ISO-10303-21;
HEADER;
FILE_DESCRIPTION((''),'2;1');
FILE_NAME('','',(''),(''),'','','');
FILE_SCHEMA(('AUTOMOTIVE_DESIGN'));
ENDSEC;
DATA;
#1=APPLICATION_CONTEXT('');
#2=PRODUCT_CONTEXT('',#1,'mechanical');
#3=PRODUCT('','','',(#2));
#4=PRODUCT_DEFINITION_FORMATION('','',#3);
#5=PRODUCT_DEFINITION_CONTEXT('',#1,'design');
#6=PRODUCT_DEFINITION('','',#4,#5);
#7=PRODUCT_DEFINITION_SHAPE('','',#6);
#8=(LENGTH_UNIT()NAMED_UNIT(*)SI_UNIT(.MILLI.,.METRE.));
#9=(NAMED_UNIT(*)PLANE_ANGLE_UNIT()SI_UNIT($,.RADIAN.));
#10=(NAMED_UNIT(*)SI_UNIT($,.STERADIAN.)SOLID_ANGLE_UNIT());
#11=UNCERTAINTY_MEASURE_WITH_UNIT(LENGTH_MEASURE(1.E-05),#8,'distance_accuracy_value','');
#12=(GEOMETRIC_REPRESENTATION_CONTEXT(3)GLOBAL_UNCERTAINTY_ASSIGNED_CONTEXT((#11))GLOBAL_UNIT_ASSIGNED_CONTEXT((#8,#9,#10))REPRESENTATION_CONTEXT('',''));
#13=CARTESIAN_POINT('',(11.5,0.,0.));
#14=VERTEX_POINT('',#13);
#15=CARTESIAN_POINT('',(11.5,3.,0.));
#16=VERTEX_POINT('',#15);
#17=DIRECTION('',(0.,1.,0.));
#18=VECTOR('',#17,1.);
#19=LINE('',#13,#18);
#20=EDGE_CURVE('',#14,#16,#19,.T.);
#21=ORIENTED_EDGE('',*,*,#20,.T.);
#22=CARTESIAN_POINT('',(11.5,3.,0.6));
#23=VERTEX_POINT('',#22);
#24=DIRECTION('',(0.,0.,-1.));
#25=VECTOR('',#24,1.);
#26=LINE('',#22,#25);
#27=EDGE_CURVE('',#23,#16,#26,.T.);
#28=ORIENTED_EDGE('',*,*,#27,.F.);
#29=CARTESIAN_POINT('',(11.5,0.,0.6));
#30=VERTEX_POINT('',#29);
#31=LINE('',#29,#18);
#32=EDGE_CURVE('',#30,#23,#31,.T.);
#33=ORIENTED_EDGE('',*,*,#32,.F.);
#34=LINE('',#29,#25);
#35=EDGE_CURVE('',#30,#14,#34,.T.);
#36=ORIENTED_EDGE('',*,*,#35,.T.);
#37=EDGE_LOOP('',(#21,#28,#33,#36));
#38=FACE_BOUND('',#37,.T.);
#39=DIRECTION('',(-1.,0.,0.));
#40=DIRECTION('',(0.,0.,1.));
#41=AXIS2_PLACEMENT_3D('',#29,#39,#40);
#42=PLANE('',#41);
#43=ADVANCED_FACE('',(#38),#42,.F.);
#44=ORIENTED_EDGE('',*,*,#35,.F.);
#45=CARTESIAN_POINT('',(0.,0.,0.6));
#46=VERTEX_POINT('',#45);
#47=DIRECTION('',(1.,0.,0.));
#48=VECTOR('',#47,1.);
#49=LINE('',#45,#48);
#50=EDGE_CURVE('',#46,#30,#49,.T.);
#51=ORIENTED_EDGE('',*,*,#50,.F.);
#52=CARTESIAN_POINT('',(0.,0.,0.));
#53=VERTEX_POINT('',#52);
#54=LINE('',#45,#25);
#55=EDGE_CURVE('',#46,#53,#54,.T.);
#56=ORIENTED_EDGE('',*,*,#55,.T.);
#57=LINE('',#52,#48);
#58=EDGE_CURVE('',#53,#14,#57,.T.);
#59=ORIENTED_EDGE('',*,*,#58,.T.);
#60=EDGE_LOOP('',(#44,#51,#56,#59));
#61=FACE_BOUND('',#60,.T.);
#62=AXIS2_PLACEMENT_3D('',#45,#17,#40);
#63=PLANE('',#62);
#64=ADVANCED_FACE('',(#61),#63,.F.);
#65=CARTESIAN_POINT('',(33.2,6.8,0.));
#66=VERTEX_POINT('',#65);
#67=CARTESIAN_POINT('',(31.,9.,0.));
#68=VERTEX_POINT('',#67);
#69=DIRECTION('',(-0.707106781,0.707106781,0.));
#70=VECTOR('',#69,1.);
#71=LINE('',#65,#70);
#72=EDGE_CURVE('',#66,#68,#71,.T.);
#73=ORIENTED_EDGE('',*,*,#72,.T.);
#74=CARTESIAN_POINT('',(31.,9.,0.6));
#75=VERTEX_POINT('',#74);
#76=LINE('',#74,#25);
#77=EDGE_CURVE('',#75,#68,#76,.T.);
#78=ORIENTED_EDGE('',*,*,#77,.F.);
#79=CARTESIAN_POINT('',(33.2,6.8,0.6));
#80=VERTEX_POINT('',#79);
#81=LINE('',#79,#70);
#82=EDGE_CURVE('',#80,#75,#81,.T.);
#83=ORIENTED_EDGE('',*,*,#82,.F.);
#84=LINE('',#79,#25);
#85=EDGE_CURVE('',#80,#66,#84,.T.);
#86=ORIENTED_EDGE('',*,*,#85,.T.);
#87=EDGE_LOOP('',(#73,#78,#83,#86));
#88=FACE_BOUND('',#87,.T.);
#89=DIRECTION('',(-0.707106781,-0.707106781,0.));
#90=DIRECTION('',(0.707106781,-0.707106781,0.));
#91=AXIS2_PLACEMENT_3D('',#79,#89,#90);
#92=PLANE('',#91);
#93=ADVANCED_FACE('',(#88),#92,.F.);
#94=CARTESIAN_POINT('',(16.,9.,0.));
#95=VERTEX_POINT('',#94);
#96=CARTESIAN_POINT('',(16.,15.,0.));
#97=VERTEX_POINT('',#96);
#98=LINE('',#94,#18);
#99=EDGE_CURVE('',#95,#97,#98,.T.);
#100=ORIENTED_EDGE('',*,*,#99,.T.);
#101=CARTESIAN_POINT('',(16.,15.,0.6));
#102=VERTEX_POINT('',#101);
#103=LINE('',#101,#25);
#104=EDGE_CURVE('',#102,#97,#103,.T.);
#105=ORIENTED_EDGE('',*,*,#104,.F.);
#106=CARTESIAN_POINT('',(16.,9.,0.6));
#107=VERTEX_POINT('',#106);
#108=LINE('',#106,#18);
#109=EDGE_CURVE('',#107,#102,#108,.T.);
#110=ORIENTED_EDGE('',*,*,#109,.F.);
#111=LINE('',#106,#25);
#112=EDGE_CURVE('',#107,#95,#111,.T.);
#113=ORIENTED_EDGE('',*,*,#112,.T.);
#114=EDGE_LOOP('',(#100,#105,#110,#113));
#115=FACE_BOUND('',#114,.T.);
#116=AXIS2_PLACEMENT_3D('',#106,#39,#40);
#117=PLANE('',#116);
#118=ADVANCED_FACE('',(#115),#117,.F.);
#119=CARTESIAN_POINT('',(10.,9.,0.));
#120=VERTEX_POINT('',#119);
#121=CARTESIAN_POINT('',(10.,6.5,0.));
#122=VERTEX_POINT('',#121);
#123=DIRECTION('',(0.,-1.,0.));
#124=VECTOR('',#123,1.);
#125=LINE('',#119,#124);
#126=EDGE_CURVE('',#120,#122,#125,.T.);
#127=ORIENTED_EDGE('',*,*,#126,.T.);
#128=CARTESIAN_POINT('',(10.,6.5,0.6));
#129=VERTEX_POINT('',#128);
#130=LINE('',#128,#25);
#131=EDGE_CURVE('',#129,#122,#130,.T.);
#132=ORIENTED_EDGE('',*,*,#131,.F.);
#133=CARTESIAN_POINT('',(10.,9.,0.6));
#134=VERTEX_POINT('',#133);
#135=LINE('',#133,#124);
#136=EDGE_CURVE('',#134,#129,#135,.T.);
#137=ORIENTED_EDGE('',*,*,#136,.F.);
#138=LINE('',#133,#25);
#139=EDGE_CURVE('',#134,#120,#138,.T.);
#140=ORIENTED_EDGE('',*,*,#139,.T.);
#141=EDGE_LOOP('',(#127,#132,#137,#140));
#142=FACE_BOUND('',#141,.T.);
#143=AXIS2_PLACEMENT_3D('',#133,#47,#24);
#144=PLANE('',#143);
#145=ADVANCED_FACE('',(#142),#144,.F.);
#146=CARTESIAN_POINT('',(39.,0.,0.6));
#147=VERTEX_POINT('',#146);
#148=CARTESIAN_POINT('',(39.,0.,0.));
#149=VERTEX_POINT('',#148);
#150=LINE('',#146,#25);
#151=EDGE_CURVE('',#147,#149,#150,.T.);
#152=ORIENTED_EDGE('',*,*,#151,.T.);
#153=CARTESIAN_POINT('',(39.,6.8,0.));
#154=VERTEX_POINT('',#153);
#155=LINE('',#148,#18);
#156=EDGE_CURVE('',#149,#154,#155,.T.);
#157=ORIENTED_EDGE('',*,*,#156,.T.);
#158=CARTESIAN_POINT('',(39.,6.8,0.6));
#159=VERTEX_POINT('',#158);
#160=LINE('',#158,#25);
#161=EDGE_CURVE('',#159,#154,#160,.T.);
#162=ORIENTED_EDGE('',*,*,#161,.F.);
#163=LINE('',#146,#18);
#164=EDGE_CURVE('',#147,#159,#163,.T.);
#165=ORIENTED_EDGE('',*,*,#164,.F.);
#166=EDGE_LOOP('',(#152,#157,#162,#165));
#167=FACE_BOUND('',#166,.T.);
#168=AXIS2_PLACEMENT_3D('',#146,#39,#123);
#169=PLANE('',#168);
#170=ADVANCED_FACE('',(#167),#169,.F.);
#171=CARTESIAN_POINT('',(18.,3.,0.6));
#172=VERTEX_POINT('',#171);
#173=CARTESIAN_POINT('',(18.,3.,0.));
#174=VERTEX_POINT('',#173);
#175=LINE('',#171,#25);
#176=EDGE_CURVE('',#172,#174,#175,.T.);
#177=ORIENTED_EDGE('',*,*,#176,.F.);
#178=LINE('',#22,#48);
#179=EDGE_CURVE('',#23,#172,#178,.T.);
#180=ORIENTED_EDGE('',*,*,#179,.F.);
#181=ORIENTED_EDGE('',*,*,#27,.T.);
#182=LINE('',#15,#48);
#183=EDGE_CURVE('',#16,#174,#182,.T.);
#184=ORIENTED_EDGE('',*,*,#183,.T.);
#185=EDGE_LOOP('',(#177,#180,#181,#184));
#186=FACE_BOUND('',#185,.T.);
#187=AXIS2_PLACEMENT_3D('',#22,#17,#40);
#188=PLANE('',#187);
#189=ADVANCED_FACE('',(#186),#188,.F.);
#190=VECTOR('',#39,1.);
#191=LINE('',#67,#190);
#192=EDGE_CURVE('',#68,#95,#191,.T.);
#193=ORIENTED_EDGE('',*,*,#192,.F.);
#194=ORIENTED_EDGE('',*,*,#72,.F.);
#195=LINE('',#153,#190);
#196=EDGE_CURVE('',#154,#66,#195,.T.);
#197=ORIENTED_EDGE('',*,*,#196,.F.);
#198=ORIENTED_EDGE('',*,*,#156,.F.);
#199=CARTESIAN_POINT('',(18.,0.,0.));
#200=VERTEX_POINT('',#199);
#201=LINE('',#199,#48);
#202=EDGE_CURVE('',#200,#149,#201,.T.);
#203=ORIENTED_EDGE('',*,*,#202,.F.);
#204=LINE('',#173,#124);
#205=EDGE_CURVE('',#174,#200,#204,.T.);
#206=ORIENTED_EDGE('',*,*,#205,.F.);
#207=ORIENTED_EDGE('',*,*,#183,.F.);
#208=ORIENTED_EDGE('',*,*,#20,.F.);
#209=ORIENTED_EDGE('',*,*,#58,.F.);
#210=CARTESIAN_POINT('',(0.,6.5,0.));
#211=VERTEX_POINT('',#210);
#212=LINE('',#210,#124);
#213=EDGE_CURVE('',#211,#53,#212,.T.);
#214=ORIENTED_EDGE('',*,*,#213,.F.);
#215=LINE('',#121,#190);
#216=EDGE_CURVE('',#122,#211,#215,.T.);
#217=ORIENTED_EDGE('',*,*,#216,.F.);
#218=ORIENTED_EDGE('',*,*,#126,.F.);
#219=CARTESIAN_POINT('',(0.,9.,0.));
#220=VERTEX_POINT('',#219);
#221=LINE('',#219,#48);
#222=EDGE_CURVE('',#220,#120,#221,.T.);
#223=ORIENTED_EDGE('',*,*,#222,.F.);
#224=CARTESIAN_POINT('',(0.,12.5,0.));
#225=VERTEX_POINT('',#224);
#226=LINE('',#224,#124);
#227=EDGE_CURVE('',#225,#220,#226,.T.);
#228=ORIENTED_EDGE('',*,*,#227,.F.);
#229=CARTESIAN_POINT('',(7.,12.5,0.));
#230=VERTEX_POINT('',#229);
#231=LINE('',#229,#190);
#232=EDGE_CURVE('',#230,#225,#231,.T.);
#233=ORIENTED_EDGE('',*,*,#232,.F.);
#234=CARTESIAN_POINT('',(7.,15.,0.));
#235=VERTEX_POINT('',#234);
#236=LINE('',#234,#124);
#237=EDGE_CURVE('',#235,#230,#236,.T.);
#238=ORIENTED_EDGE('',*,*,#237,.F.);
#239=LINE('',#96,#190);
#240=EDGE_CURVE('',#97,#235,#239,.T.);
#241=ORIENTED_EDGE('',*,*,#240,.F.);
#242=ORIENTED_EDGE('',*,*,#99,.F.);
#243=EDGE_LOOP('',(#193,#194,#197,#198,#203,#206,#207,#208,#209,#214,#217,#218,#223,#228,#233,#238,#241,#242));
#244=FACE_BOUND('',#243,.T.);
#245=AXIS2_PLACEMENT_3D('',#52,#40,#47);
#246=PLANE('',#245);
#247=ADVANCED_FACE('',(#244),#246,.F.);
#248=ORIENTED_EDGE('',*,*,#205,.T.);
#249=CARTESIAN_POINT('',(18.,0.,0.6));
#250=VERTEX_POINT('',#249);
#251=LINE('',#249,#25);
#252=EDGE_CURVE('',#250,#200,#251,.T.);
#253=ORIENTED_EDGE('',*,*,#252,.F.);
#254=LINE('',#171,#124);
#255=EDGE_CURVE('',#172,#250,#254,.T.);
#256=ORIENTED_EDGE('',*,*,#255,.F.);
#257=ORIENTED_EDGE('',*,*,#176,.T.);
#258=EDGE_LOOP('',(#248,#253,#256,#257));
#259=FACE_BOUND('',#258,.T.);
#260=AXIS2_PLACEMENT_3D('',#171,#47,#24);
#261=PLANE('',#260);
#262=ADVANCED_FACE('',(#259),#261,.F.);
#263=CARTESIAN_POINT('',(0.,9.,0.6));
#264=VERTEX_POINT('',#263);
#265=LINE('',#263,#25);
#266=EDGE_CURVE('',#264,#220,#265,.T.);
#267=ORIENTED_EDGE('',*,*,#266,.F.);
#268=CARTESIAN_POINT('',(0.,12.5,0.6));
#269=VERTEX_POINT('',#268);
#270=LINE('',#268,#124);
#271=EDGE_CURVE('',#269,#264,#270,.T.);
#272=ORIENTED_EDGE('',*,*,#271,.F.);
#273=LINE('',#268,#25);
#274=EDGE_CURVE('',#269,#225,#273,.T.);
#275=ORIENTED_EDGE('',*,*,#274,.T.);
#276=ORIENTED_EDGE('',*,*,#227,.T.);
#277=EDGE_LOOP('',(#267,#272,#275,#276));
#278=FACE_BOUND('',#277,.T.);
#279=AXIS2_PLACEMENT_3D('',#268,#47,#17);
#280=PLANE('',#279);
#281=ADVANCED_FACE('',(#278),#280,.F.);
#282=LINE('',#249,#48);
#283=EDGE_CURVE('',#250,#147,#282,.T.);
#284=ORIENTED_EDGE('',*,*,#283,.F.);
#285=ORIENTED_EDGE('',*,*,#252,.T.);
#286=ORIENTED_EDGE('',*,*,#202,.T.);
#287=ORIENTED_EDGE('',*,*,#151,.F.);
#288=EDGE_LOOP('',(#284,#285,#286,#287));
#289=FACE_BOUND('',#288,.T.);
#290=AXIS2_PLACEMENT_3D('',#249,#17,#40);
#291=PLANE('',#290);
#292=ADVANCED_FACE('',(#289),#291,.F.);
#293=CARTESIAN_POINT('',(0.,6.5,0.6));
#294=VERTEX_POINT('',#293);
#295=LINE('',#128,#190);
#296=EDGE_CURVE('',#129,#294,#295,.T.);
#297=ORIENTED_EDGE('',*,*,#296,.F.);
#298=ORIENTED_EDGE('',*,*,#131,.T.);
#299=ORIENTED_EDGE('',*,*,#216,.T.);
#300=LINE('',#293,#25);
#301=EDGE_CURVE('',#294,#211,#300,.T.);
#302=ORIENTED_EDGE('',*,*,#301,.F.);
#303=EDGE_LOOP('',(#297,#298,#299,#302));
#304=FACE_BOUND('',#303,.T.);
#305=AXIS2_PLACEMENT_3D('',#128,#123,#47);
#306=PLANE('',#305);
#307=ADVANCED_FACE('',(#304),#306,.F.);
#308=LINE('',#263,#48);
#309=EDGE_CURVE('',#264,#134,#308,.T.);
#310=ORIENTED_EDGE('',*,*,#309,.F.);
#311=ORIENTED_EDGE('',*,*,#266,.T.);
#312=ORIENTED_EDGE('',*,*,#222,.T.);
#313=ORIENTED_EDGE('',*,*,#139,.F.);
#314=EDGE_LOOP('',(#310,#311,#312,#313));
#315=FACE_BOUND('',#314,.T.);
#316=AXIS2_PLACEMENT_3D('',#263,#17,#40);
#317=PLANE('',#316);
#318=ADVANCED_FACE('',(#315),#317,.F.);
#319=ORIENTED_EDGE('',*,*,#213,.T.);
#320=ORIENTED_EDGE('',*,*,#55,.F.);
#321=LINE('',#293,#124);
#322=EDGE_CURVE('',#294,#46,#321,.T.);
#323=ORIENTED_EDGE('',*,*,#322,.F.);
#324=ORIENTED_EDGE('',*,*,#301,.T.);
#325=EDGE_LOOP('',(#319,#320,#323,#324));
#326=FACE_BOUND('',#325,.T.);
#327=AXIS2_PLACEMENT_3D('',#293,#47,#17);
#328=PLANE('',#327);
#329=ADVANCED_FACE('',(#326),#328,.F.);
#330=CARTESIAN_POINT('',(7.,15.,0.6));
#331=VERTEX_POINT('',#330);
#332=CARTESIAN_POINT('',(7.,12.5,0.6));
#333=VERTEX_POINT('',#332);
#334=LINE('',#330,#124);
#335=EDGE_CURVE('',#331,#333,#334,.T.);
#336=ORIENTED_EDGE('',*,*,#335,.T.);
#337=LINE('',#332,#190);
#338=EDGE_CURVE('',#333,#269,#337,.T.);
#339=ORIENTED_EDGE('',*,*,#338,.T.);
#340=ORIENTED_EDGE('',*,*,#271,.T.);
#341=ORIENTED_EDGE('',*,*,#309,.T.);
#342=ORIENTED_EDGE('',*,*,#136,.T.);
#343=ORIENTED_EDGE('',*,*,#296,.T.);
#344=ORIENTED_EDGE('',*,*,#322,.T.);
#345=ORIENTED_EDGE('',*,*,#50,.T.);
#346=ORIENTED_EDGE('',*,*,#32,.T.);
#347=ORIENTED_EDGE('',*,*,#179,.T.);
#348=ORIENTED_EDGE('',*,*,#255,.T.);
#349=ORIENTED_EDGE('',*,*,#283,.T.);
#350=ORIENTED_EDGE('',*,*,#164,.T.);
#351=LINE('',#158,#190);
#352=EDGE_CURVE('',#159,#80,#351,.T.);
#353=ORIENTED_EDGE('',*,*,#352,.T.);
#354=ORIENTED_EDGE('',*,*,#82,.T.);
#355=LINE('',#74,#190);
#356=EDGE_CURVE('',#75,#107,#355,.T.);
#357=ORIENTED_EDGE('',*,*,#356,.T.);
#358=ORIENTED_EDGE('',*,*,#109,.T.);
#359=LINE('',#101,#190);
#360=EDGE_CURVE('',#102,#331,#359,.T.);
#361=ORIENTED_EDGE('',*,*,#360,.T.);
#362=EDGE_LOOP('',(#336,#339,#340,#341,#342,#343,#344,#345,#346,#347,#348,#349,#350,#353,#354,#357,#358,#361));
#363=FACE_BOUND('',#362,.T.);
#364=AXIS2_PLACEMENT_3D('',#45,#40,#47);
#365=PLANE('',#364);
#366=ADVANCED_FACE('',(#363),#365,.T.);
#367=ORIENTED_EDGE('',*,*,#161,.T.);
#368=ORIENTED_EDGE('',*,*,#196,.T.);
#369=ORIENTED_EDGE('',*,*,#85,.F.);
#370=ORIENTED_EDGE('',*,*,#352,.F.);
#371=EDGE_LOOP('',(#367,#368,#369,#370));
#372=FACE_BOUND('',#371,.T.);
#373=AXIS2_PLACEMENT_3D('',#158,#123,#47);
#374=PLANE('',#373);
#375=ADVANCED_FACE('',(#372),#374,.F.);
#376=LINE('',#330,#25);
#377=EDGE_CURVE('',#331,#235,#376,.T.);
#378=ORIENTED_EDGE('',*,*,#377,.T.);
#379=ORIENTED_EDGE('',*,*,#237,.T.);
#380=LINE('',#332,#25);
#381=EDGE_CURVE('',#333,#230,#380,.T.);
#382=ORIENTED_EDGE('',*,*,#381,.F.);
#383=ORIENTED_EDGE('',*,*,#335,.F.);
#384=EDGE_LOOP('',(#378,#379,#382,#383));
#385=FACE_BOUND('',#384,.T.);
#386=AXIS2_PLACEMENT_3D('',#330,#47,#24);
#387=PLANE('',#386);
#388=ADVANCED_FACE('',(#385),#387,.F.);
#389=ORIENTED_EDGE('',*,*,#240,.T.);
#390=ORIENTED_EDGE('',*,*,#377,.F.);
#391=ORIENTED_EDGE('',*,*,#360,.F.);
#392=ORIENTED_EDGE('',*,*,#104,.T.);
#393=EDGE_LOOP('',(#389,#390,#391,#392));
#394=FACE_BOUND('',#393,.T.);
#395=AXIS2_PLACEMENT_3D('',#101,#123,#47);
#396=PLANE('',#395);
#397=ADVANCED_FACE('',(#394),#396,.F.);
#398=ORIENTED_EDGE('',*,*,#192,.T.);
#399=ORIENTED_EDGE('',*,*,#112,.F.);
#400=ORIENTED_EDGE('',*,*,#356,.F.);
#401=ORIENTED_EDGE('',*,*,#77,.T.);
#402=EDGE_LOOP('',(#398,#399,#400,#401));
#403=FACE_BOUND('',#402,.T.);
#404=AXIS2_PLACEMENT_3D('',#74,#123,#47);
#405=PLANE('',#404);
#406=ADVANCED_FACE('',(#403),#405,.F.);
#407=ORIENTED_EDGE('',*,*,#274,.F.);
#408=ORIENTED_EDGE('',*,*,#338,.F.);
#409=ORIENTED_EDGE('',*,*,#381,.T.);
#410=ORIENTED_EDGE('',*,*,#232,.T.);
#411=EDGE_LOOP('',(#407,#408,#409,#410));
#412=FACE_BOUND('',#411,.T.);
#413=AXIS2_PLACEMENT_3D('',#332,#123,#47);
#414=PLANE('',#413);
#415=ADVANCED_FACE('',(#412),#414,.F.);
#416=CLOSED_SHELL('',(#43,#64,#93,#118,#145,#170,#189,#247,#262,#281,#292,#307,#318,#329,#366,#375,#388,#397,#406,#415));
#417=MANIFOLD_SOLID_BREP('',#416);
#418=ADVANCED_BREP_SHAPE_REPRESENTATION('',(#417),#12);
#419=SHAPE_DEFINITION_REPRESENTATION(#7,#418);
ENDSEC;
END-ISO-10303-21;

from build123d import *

# Parameters (mm, degrees)
EXTRUDE_1_DEPTH = 0.6


with BuildPart() as part:
    # 草图1 → 凸台-拉伸1 (new body)
    with BuildSketch(Plane.XY):
        Polygon((0, 0), (11.5, 0), (11.5, 3), (18, 3), (18, 0), (39, 0), (39, 6.8), (33.2, 6.8), (31, 9), (16, 9), (16, 15), (7, 15), (7, 12.5), (0, 12.5), (0, 9), (10, 9), (10, 6.5), (0, 6.5), align=None)
    extrude(amount=EXTRUDE_1_DEPTH)


solid = part.part
